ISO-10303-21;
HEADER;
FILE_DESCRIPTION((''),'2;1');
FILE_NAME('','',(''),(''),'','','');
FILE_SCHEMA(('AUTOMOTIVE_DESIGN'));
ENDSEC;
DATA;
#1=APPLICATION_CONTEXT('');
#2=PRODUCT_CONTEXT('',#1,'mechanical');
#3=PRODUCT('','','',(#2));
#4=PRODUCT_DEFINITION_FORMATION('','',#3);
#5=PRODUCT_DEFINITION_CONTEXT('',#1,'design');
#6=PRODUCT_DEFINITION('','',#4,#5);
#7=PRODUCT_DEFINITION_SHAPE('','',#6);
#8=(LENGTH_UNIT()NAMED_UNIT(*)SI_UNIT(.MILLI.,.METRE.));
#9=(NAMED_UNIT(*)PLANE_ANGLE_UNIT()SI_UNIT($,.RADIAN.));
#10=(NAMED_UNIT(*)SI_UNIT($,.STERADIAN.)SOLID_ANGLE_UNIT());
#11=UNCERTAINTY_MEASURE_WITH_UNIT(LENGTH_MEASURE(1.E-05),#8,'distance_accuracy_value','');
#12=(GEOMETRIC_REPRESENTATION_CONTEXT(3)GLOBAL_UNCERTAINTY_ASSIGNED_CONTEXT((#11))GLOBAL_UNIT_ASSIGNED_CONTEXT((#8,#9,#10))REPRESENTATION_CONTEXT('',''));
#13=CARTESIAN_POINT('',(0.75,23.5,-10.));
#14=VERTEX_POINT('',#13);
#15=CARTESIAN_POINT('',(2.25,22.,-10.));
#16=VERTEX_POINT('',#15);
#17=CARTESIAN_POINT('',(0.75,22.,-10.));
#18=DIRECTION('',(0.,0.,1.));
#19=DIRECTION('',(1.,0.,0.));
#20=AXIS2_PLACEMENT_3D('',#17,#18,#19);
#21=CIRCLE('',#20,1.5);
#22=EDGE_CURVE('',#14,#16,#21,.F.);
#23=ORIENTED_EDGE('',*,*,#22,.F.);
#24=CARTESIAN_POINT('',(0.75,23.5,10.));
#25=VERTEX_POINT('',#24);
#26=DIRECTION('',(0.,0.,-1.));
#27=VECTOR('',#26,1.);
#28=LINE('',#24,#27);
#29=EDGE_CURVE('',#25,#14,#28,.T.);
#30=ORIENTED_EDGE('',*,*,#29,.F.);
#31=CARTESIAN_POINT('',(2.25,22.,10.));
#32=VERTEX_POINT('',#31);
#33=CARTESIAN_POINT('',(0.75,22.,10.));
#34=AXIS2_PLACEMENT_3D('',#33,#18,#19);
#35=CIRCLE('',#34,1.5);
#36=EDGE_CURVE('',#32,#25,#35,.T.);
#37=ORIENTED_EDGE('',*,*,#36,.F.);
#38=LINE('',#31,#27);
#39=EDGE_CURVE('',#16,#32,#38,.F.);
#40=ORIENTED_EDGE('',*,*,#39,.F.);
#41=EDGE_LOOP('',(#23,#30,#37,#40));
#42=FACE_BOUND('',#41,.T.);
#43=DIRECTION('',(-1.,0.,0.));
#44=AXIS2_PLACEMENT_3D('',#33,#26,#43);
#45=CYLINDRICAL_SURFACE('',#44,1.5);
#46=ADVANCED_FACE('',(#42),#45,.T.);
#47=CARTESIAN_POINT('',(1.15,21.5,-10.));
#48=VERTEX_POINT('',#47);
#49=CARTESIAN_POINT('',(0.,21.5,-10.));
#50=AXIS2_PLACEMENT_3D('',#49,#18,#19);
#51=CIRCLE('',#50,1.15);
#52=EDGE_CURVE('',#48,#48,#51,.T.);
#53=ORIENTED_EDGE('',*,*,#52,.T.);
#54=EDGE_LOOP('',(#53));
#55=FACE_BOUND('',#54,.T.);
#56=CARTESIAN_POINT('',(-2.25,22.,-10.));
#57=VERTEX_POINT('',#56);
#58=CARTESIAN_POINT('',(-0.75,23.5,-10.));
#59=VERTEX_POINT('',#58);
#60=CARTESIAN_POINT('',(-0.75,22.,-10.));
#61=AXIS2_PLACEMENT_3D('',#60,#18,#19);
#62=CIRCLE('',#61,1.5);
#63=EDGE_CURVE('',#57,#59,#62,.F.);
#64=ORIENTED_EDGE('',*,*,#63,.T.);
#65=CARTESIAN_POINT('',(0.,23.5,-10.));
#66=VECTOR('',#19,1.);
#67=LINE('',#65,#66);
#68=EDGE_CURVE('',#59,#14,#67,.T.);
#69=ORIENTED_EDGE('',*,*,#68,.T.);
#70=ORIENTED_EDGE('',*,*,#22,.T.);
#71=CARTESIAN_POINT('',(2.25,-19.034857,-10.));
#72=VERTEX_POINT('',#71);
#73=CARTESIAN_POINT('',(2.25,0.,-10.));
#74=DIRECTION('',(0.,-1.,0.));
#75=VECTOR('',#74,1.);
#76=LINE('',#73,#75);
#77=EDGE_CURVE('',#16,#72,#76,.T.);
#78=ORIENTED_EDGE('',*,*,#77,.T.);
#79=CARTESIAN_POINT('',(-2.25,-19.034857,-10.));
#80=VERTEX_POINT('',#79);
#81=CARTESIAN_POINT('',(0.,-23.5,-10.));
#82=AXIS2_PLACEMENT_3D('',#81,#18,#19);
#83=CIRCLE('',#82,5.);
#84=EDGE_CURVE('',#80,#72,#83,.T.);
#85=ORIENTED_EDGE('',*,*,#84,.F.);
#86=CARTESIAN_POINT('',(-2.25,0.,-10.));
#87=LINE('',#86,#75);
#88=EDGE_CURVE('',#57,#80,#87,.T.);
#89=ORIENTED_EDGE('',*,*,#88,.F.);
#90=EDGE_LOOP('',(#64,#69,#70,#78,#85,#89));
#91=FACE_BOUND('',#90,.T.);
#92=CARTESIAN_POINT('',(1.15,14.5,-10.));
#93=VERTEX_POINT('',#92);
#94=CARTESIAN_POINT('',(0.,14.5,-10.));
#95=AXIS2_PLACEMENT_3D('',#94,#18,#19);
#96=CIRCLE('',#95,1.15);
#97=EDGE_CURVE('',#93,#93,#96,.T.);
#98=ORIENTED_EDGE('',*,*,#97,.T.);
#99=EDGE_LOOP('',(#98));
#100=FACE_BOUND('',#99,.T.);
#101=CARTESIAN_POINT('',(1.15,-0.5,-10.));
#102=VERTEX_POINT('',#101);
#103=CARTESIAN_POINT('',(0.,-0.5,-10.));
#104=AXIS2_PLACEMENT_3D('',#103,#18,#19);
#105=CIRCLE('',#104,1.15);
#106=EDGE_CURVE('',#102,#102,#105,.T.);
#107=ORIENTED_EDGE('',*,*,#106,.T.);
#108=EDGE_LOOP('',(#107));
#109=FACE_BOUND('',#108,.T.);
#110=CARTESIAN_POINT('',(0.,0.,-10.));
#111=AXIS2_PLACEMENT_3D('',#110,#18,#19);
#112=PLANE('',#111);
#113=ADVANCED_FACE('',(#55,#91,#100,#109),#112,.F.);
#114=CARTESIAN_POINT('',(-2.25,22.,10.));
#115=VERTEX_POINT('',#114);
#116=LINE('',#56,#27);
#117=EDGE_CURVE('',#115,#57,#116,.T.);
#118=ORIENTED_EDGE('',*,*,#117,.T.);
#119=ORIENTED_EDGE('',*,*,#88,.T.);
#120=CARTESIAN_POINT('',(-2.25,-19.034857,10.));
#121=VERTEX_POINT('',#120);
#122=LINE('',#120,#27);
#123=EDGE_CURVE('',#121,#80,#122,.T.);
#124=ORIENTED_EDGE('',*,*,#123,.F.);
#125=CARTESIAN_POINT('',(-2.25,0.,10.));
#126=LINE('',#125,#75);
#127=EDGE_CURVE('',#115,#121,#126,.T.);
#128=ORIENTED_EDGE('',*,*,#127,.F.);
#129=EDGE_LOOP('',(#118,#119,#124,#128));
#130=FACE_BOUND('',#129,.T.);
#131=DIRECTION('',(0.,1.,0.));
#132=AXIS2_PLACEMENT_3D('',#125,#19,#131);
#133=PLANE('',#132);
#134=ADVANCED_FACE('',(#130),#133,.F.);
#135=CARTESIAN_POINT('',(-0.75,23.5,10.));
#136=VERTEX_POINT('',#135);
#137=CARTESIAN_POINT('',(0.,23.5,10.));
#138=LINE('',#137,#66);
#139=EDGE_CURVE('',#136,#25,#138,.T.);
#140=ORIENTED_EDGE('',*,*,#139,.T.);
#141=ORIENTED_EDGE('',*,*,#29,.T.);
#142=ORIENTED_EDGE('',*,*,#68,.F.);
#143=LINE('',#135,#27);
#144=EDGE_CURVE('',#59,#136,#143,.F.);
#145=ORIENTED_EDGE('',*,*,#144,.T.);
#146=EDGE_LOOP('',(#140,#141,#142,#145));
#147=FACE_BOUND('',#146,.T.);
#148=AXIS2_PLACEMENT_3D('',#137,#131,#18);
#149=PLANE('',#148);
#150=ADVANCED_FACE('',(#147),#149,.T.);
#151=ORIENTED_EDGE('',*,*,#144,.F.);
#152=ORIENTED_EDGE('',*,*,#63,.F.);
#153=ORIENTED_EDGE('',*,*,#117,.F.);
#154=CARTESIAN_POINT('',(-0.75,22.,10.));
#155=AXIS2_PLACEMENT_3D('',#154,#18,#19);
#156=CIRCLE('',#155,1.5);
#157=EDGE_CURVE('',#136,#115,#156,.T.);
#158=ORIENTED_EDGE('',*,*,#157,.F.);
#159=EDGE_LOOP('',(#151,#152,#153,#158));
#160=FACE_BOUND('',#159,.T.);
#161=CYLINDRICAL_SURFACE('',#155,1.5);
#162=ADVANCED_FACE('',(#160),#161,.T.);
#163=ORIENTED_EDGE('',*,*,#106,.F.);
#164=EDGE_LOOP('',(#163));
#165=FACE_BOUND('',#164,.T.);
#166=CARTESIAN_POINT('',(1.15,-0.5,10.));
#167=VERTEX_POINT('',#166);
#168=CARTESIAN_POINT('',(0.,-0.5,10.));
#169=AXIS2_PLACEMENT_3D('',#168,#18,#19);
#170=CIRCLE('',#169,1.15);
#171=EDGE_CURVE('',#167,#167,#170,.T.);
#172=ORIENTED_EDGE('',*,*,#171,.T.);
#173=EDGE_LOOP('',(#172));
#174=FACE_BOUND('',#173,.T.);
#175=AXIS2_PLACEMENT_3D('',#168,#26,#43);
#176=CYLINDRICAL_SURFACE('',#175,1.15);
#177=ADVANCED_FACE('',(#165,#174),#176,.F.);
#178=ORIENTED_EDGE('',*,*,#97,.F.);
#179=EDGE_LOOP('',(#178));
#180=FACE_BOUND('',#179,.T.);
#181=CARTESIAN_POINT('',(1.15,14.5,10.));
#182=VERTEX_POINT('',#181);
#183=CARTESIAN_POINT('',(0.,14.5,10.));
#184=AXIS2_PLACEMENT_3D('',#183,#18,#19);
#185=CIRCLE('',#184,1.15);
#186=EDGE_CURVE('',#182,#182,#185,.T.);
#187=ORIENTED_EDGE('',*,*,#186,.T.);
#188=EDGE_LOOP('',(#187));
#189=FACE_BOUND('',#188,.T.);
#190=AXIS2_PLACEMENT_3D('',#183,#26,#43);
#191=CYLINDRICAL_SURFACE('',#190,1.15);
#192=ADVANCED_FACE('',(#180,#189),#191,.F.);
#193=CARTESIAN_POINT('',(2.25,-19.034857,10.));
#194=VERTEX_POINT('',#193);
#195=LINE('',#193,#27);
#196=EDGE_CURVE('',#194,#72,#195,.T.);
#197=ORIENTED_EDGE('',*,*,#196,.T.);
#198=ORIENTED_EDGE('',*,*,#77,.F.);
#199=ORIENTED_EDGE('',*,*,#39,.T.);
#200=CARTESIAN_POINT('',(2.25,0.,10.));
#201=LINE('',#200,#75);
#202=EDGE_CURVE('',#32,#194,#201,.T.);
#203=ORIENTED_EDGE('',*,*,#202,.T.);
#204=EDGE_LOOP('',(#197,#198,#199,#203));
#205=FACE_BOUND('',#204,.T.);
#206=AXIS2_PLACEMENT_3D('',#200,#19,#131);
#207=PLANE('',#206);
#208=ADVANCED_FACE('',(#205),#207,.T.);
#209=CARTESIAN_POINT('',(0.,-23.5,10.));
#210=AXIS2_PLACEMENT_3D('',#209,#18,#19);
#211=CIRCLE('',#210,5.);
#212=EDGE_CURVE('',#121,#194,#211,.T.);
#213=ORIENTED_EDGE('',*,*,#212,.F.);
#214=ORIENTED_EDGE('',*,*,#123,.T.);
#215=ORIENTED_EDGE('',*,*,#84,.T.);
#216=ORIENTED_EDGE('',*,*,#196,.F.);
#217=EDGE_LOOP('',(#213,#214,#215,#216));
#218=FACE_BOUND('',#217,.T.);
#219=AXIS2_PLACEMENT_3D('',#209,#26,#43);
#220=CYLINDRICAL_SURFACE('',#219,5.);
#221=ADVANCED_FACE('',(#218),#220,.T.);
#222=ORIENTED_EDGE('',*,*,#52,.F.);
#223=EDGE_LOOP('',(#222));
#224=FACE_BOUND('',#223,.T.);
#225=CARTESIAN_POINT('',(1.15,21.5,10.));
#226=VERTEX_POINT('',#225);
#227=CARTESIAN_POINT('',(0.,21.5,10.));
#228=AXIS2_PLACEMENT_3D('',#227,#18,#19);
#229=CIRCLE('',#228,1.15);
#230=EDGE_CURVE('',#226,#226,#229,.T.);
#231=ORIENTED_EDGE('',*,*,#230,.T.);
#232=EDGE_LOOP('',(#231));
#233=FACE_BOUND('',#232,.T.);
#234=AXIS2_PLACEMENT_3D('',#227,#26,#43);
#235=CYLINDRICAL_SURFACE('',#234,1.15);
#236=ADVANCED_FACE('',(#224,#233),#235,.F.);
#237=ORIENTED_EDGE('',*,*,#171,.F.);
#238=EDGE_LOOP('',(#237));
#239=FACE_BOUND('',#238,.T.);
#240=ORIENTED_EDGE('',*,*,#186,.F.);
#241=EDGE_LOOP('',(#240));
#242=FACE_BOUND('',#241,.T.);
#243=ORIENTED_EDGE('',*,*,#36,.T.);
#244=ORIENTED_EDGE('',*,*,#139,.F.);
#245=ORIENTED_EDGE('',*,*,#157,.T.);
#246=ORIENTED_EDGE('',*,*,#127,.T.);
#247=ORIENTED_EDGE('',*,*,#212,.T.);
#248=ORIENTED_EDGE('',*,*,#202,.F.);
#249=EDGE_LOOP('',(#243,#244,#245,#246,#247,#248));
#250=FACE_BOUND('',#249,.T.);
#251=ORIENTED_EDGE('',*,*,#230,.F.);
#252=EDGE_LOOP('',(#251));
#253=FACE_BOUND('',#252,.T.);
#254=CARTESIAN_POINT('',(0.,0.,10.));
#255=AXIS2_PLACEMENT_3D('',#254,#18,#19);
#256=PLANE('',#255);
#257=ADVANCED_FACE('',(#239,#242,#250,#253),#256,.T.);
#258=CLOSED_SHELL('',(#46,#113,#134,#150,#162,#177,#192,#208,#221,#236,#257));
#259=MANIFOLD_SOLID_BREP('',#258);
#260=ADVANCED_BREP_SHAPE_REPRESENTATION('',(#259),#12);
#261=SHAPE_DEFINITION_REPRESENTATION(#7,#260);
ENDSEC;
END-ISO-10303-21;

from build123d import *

# Parameters (mm, degrees)
SKETCH_1_R      = 5
SKETCH_1_W      = 4.5
SKETCH_1_H      = 47
SKETCH_1_R_2    = 1.15
EXTRUDE_1_DEPTH = 10
FILLET_1_R      = 1.5


with BuildPart() as part:
    # 草图1 → 凸台-拉伸1 (new, symmetric)
    # profile 1 of 2: a face of its own
    with BuildSketch(Plane.XY):
        with Locations((0, -23.5)):
            Circle(SKETCH_1_R)
    # profile 2 of 2: a face of its own
    with BuildSketch(Plane.XY):
        Rectangle(SKETCH_1_W, SKETCH_1_H)
        with Locations((0, -0.5)):
            Circle(SKETCH_1_R_2, mode=Mode.SUBTRACT)
        with Locations((0, 14.5)):
            Circle(SKETCH_1_R_2, mode=Mode.SUBTRACT)
        with Locations((0, 21.5)):
            Circle(SKETCH_1_R_2, mode=Mode.SUBTRACT)
    extrude(amount=EXTRUDE_1_DEPTH, both=True)

    # 圆角1
    fillet_1_edges = [part.edges().sort_by_distance(p)[0] for p in [
        (-2.25, 23.5, 0),
        (2.25, 23.5, 0),
    ]]
    fillet(fillet_1_edges, radius=FILLET_1_R)


solid = part.part
